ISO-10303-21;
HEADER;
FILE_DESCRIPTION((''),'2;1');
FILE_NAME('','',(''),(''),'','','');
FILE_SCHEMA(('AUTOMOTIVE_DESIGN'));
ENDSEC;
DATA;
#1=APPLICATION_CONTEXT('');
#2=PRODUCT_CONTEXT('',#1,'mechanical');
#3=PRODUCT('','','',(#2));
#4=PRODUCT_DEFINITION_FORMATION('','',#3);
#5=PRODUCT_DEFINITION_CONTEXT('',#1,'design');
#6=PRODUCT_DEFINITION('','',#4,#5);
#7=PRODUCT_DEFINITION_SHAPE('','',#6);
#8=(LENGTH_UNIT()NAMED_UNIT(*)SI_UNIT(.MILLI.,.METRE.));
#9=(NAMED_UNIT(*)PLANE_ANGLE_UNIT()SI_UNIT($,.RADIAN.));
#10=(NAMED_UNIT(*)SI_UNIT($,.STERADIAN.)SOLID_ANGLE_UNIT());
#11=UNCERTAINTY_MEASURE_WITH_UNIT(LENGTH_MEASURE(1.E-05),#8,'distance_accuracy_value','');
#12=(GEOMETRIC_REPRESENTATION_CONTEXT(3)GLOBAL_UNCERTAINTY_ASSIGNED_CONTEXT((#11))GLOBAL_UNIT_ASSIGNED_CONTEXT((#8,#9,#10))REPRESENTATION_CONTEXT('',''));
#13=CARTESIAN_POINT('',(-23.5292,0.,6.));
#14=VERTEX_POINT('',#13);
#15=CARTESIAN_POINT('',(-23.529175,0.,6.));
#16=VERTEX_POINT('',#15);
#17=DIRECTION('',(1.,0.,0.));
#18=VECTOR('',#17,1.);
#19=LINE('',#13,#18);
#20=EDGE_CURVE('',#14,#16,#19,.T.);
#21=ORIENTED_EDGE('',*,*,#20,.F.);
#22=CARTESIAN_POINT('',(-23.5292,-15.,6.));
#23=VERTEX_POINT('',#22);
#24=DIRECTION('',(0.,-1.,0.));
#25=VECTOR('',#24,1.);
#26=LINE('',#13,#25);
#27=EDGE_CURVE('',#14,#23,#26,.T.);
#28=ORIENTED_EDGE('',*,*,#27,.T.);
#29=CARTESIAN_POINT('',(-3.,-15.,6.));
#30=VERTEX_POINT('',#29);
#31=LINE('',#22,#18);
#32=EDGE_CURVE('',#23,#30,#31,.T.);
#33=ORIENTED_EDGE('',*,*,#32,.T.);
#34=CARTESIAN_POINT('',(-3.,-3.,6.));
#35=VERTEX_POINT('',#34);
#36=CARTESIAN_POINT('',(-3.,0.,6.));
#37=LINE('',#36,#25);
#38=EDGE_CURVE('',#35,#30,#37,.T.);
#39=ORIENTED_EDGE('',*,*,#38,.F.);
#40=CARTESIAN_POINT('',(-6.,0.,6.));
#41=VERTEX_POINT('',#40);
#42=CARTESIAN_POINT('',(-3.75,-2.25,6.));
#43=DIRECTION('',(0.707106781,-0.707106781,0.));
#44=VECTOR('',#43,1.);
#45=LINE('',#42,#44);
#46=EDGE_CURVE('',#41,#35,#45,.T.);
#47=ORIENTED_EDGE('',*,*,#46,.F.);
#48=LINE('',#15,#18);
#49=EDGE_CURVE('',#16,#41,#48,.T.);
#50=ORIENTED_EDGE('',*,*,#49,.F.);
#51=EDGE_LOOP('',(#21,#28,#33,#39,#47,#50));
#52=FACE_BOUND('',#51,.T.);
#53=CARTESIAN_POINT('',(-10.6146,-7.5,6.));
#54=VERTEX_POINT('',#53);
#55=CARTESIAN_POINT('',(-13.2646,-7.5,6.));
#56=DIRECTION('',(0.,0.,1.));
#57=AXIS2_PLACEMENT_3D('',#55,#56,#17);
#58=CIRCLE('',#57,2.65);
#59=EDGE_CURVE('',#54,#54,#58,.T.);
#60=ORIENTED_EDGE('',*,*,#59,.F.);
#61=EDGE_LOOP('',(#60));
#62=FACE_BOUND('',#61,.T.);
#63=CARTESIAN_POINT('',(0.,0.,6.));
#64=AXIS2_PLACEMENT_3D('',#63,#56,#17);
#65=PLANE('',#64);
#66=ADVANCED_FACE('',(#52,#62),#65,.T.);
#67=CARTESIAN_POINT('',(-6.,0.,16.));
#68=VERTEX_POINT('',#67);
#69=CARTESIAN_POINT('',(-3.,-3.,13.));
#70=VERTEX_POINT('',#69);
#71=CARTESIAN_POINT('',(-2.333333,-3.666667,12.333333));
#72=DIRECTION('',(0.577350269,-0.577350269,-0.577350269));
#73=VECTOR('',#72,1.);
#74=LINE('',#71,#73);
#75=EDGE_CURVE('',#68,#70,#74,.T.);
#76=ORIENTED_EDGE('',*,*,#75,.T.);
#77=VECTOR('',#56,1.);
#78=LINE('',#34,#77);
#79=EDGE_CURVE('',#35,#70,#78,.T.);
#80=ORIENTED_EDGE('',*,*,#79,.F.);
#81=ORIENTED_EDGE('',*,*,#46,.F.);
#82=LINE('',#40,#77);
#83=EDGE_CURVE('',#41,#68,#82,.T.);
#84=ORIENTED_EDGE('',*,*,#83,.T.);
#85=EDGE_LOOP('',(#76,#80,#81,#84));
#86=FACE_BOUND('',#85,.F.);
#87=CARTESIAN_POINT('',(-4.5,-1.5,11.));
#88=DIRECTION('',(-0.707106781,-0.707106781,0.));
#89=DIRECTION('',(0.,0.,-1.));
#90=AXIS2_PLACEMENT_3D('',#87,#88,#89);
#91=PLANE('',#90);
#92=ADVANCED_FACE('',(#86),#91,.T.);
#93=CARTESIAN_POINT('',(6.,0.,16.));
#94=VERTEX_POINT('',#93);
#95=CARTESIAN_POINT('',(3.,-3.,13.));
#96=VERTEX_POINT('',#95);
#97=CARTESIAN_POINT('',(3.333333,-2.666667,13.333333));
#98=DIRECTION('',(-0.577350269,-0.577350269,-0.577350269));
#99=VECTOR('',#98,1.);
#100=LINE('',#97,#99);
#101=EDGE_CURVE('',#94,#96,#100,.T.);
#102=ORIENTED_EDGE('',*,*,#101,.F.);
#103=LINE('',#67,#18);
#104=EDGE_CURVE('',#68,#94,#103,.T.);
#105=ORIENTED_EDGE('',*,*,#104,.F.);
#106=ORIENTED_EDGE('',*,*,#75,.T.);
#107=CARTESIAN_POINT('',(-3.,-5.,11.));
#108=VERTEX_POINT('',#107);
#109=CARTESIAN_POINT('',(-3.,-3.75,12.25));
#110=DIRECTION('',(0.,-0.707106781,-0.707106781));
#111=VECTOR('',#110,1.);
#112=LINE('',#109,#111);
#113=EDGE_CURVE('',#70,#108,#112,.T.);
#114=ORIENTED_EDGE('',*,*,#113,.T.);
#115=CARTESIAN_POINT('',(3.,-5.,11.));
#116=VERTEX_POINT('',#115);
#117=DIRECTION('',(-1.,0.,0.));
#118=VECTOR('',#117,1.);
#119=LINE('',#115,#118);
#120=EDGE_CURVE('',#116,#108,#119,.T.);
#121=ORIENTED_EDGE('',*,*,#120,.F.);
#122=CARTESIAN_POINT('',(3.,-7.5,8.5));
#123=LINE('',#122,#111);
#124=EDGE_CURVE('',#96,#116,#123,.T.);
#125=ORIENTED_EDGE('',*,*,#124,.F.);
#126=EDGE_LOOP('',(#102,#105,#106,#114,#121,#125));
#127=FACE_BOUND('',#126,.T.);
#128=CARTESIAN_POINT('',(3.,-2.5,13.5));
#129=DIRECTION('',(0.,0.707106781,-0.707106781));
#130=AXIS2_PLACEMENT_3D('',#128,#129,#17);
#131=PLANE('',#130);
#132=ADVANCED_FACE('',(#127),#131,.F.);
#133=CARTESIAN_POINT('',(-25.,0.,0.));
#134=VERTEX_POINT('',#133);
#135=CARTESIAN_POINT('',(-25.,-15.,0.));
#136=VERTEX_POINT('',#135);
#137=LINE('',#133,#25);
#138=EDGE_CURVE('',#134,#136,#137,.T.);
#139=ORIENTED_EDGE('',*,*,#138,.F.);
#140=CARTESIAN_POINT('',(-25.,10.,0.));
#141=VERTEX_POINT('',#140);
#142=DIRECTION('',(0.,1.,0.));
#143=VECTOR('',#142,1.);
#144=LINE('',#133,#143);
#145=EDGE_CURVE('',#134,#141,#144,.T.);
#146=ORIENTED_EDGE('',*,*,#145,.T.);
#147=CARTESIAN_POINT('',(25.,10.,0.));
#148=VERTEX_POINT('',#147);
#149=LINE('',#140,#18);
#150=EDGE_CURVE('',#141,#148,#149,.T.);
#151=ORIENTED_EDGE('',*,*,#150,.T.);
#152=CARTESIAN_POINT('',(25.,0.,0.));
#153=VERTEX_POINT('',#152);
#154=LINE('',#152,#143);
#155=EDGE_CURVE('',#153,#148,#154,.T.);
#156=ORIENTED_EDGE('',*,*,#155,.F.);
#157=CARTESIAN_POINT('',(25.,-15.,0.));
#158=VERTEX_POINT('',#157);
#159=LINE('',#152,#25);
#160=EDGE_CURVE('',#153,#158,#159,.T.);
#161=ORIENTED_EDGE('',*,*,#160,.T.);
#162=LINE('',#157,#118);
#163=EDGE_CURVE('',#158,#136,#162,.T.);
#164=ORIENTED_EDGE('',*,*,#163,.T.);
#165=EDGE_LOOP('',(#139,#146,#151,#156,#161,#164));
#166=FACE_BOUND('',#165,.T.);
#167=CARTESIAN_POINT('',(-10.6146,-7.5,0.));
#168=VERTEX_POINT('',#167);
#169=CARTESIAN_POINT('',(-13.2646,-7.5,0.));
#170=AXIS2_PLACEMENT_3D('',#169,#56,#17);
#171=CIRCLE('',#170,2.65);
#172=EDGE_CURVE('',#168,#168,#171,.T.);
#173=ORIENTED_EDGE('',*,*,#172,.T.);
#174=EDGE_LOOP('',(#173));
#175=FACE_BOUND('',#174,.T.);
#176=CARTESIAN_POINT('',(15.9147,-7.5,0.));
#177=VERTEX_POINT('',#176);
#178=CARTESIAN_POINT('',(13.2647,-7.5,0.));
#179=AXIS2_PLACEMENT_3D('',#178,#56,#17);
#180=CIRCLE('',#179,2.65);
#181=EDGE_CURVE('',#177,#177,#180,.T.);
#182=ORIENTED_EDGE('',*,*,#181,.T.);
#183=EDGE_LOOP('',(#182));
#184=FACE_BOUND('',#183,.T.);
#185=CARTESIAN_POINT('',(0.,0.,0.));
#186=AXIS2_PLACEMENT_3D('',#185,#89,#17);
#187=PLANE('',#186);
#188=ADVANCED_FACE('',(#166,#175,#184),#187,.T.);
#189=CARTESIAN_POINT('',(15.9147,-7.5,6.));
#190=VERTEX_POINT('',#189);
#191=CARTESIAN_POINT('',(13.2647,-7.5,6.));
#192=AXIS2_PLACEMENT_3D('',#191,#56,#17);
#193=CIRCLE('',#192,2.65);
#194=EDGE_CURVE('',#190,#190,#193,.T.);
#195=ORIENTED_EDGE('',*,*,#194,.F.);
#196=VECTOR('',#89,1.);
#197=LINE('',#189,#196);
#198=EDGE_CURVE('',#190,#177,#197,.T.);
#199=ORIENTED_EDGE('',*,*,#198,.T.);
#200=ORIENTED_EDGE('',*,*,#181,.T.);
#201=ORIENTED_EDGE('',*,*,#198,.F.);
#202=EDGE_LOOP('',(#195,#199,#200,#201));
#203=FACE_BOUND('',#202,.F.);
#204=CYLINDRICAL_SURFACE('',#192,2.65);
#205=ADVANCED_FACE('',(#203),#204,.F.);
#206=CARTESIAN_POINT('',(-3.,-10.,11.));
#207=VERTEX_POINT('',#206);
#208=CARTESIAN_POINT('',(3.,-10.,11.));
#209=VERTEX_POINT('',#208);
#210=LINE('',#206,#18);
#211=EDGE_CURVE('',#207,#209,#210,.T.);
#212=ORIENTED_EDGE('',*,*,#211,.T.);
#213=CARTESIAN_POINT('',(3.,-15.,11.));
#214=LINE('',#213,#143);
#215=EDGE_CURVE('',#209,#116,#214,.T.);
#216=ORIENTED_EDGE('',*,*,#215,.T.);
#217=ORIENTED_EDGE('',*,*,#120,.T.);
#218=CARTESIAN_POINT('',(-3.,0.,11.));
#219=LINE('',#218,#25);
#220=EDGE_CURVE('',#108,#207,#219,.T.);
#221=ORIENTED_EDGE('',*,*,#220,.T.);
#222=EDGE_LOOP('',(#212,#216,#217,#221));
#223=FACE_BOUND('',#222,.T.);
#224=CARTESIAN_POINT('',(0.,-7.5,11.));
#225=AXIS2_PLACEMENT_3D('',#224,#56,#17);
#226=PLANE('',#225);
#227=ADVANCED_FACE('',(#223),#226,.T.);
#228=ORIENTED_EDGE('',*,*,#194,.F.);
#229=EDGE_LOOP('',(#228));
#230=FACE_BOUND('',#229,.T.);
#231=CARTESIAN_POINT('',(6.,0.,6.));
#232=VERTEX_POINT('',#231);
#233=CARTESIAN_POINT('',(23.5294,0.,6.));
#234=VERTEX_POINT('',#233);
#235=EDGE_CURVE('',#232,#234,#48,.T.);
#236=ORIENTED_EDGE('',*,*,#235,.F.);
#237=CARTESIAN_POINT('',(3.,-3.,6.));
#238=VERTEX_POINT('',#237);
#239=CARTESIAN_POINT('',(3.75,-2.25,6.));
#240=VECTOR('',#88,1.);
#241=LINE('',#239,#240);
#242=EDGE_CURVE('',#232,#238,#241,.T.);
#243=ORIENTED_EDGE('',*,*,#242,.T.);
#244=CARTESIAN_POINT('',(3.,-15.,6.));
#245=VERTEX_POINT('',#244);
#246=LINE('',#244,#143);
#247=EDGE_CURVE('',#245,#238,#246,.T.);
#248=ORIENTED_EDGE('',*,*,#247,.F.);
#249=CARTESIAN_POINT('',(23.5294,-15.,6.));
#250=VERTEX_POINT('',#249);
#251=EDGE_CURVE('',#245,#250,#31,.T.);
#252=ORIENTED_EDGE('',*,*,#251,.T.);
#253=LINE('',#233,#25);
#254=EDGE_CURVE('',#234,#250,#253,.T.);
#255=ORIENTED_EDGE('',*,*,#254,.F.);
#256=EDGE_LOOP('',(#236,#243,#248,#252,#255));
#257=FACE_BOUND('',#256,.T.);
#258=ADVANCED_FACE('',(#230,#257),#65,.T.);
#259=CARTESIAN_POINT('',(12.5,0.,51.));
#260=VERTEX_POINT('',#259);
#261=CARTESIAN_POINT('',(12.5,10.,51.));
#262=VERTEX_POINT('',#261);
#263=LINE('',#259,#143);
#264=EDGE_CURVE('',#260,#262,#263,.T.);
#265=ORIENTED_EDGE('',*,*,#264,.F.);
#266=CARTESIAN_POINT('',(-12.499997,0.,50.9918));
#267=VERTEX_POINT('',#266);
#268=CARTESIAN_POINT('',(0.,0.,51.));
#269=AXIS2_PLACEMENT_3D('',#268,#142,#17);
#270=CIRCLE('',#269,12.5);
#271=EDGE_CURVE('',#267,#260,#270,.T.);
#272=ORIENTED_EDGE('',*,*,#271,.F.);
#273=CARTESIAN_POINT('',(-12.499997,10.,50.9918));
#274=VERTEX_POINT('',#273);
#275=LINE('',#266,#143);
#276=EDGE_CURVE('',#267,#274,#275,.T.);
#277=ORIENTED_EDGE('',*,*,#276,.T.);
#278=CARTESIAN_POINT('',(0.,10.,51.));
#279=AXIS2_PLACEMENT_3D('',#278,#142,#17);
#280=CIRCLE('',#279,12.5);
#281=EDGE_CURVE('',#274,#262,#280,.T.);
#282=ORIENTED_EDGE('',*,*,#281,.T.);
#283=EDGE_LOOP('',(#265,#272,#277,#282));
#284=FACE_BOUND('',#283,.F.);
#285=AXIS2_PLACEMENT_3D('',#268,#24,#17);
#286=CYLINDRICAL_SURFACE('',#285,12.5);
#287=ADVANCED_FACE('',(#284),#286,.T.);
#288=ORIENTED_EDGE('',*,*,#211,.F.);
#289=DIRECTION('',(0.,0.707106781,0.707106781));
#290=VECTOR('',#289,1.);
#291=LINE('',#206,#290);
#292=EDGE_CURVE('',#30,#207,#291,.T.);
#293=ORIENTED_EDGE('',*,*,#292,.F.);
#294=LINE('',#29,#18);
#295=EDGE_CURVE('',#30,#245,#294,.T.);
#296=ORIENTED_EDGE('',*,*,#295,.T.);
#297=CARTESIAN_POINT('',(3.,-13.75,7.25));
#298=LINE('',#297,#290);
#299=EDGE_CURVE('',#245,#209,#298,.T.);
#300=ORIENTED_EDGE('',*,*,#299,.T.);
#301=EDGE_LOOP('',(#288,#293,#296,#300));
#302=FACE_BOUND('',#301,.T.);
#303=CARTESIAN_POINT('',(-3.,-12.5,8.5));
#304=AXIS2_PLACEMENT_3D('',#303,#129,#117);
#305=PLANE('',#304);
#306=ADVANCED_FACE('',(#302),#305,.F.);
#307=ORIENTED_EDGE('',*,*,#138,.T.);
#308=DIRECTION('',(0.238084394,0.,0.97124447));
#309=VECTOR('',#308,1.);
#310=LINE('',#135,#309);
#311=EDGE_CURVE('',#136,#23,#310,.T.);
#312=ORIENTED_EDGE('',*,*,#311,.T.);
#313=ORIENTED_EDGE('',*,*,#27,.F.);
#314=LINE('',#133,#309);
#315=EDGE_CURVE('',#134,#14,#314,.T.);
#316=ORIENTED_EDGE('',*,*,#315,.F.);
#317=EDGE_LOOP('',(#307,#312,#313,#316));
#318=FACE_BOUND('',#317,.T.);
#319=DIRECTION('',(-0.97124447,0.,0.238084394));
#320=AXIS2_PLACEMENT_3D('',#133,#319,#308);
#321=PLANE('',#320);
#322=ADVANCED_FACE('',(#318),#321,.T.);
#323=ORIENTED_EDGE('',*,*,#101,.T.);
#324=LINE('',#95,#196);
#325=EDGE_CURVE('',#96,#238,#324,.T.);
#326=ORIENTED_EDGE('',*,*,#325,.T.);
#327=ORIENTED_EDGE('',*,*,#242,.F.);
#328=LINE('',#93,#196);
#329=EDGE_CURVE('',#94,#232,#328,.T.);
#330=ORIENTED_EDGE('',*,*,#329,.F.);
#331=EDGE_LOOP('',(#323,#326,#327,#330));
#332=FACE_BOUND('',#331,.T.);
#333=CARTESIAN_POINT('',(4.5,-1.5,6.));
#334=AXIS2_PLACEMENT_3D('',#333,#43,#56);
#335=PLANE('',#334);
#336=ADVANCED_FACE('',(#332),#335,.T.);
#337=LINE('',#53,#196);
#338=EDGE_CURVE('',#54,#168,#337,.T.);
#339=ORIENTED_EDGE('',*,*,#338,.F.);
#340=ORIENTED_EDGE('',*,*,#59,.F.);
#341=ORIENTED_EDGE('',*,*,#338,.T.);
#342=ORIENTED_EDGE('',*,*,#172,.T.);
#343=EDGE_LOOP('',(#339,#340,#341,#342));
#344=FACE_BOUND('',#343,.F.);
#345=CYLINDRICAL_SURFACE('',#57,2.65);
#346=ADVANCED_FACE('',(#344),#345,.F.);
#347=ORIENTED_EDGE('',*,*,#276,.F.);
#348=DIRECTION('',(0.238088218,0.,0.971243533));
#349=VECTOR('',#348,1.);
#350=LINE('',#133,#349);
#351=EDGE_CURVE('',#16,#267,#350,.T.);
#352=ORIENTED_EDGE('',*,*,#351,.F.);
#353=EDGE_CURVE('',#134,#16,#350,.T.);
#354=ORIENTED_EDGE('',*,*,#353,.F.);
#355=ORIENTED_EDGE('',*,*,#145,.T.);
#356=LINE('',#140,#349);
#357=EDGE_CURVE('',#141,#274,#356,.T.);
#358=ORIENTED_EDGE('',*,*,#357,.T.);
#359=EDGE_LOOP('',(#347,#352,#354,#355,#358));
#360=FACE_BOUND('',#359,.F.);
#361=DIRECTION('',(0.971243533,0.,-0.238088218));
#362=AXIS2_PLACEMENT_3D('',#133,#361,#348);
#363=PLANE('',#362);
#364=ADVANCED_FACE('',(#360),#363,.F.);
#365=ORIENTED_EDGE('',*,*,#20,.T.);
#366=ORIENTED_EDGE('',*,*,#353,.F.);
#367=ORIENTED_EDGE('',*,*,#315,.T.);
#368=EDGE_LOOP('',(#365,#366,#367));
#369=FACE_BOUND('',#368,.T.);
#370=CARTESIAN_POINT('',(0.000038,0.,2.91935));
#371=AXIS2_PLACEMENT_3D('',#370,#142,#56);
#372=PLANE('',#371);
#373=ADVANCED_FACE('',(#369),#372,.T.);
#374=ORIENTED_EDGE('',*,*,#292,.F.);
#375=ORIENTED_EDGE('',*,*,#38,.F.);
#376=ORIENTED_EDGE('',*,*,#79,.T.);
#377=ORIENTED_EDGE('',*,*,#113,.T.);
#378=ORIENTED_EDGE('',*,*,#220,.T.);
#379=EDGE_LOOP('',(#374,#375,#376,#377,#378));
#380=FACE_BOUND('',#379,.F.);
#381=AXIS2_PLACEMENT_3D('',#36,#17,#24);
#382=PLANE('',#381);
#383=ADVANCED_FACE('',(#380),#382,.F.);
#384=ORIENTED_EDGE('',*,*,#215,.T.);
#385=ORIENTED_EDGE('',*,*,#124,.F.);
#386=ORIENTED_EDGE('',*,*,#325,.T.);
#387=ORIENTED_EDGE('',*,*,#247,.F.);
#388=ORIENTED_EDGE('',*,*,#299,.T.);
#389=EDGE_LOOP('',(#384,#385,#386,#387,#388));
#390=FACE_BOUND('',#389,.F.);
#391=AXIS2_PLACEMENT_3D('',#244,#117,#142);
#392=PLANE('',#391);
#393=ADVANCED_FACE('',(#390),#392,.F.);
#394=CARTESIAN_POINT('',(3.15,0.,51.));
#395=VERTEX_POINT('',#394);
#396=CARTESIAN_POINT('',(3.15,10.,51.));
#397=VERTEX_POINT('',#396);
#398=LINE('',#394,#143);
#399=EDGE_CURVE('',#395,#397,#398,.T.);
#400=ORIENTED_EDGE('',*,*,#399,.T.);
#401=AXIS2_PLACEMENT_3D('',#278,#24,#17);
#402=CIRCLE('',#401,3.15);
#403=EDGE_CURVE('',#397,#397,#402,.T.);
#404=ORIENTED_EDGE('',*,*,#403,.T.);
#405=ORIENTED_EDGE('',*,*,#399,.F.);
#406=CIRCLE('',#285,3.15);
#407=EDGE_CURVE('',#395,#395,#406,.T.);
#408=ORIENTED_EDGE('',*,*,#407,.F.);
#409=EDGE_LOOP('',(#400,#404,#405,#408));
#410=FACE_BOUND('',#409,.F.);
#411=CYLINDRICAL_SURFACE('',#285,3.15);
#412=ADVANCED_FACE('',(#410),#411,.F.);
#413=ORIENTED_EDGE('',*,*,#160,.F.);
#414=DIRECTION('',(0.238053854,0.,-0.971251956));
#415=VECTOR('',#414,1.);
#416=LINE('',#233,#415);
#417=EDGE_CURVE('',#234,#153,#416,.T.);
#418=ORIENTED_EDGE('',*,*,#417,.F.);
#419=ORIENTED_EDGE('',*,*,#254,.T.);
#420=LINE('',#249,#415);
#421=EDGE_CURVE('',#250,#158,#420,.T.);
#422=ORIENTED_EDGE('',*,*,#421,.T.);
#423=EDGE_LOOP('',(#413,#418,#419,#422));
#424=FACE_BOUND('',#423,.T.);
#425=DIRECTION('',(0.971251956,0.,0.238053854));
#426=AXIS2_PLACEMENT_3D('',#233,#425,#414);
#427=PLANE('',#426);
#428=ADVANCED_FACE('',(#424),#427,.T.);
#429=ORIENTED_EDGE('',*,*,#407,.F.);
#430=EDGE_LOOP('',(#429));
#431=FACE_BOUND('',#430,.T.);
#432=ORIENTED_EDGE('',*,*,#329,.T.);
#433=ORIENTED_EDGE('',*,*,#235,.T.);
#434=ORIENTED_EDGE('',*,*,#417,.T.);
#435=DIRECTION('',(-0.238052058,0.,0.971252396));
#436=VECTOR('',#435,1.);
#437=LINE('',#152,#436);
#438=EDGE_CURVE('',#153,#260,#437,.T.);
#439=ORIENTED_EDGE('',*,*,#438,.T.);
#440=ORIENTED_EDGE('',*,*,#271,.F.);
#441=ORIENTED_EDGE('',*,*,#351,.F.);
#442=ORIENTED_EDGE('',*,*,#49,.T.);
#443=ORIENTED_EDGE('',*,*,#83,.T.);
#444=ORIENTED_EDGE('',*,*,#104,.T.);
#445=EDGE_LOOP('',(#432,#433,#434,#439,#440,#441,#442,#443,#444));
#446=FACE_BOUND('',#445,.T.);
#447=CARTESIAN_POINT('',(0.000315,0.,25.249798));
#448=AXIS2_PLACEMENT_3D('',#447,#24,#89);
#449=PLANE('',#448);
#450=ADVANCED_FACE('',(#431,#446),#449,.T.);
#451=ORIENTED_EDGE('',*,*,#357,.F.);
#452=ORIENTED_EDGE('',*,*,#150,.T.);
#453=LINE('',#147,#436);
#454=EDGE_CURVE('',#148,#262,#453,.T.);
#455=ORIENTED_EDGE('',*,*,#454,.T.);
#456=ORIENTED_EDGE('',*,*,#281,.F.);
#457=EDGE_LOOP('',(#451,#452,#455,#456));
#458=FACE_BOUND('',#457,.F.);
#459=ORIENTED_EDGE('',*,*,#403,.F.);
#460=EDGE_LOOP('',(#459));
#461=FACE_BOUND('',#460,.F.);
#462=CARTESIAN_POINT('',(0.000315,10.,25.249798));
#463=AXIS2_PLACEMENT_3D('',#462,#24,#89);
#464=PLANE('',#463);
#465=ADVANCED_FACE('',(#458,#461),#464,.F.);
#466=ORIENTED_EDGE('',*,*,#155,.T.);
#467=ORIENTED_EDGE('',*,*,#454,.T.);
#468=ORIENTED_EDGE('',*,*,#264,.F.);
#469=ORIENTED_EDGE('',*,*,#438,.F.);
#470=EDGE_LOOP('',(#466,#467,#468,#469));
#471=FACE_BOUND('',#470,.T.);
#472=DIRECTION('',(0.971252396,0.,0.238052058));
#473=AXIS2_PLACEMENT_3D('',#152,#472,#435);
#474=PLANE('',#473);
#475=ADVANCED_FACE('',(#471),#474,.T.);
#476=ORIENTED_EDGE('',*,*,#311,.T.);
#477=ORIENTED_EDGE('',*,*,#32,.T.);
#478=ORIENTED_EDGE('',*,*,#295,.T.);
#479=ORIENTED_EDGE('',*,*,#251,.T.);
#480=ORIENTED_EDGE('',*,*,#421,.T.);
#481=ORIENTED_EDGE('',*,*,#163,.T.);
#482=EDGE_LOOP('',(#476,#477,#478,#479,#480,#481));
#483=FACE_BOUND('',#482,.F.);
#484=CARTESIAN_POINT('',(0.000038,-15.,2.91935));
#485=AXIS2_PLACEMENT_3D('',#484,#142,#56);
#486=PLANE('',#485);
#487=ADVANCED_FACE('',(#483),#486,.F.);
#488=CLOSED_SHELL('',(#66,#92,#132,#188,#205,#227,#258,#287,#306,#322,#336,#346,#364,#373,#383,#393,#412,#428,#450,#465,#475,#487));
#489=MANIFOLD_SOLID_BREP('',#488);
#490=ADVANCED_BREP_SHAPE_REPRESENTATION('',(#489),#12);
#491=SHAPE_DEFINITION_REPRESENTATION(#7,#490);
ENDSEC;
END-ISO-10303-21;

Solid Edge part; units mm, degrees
sketch "Sketch1" plane through (0, 0, 0) normal (0, -1, 0) x (1, 0, 0)
  circle A0 centre (0, 51) radius 3.15
  line L0 (25, 0) -> (12.5, 51)
  line L1 (0, 0) -> (25, 0)
  line L2 (0, 0) -> (-25, 0)
  line L3 (-25, 0) -> (-12.5, 50.9918)
  arc A1 (-12.5, 50.9918) -> (12.5, 51) centre (0, 51) cw
extrude "Protrusion1" add sketch "Sketch1" against normal blind 10
sketch "Sketch2" plane through (0, 0, 31.75) normal (0, -1, 0) x (1, 0, 0)
  line L0 (0, -25.75) -> (23.5294, -25.75)
  line L1 (23.5294, -25.75) -> (25, -31.75)
  line L2 (25, -31.75) -> (-25, -31.75)
  line L3 (-25, -31.75) -> (-23.5292, -25.75)
  line L4 (-23.5292, -25.75) -> (0, -25.75)
extrude "ExtrudedProtrusion_3" add sketch "Sketch2" along normal blind 15
sketch "Sketch3" plane through (0.0001, -7.5, 6) normal (0, 0, 1) x (1, 0, 0)
  line L0 (2.9999, -7.5) -> (2.9999, 7.5)
  line L1 (2.9999, 7.5) -> (-3.0001, 7.5)
  line L2 (-3.0001, 7.5) -> (-3.0001, -7.5)
  line L3 (-3.0001, -7.5) -> (2.9999, -7.5)
extrude "ExtrudedProtrusion_4" add sketch "Sketch3" along normal blind 5
chamfer "Chamfer_1" distance 5 angle 45 2 edges at (0, 0, 11) (0, -15, 11)
chamfer "Chamfer_2" distance 3 angle 45 2 edges at (3, 0, 11) (-3, 0, 11)
sketch "Sketch4" plane through (-13.2646, -7.5, 6) normal (0, 0, 1) x (1, 0, 0)
  circle A0 centre (26.5293, 0) radius 2.65
  circle A1 centre (0, 0) radius 2.65
  dimension "D1" = 5.3
  dimension "D2" = 5.3
extrude "Cutout1" cut sketch "Sketch4" against normal up to next
